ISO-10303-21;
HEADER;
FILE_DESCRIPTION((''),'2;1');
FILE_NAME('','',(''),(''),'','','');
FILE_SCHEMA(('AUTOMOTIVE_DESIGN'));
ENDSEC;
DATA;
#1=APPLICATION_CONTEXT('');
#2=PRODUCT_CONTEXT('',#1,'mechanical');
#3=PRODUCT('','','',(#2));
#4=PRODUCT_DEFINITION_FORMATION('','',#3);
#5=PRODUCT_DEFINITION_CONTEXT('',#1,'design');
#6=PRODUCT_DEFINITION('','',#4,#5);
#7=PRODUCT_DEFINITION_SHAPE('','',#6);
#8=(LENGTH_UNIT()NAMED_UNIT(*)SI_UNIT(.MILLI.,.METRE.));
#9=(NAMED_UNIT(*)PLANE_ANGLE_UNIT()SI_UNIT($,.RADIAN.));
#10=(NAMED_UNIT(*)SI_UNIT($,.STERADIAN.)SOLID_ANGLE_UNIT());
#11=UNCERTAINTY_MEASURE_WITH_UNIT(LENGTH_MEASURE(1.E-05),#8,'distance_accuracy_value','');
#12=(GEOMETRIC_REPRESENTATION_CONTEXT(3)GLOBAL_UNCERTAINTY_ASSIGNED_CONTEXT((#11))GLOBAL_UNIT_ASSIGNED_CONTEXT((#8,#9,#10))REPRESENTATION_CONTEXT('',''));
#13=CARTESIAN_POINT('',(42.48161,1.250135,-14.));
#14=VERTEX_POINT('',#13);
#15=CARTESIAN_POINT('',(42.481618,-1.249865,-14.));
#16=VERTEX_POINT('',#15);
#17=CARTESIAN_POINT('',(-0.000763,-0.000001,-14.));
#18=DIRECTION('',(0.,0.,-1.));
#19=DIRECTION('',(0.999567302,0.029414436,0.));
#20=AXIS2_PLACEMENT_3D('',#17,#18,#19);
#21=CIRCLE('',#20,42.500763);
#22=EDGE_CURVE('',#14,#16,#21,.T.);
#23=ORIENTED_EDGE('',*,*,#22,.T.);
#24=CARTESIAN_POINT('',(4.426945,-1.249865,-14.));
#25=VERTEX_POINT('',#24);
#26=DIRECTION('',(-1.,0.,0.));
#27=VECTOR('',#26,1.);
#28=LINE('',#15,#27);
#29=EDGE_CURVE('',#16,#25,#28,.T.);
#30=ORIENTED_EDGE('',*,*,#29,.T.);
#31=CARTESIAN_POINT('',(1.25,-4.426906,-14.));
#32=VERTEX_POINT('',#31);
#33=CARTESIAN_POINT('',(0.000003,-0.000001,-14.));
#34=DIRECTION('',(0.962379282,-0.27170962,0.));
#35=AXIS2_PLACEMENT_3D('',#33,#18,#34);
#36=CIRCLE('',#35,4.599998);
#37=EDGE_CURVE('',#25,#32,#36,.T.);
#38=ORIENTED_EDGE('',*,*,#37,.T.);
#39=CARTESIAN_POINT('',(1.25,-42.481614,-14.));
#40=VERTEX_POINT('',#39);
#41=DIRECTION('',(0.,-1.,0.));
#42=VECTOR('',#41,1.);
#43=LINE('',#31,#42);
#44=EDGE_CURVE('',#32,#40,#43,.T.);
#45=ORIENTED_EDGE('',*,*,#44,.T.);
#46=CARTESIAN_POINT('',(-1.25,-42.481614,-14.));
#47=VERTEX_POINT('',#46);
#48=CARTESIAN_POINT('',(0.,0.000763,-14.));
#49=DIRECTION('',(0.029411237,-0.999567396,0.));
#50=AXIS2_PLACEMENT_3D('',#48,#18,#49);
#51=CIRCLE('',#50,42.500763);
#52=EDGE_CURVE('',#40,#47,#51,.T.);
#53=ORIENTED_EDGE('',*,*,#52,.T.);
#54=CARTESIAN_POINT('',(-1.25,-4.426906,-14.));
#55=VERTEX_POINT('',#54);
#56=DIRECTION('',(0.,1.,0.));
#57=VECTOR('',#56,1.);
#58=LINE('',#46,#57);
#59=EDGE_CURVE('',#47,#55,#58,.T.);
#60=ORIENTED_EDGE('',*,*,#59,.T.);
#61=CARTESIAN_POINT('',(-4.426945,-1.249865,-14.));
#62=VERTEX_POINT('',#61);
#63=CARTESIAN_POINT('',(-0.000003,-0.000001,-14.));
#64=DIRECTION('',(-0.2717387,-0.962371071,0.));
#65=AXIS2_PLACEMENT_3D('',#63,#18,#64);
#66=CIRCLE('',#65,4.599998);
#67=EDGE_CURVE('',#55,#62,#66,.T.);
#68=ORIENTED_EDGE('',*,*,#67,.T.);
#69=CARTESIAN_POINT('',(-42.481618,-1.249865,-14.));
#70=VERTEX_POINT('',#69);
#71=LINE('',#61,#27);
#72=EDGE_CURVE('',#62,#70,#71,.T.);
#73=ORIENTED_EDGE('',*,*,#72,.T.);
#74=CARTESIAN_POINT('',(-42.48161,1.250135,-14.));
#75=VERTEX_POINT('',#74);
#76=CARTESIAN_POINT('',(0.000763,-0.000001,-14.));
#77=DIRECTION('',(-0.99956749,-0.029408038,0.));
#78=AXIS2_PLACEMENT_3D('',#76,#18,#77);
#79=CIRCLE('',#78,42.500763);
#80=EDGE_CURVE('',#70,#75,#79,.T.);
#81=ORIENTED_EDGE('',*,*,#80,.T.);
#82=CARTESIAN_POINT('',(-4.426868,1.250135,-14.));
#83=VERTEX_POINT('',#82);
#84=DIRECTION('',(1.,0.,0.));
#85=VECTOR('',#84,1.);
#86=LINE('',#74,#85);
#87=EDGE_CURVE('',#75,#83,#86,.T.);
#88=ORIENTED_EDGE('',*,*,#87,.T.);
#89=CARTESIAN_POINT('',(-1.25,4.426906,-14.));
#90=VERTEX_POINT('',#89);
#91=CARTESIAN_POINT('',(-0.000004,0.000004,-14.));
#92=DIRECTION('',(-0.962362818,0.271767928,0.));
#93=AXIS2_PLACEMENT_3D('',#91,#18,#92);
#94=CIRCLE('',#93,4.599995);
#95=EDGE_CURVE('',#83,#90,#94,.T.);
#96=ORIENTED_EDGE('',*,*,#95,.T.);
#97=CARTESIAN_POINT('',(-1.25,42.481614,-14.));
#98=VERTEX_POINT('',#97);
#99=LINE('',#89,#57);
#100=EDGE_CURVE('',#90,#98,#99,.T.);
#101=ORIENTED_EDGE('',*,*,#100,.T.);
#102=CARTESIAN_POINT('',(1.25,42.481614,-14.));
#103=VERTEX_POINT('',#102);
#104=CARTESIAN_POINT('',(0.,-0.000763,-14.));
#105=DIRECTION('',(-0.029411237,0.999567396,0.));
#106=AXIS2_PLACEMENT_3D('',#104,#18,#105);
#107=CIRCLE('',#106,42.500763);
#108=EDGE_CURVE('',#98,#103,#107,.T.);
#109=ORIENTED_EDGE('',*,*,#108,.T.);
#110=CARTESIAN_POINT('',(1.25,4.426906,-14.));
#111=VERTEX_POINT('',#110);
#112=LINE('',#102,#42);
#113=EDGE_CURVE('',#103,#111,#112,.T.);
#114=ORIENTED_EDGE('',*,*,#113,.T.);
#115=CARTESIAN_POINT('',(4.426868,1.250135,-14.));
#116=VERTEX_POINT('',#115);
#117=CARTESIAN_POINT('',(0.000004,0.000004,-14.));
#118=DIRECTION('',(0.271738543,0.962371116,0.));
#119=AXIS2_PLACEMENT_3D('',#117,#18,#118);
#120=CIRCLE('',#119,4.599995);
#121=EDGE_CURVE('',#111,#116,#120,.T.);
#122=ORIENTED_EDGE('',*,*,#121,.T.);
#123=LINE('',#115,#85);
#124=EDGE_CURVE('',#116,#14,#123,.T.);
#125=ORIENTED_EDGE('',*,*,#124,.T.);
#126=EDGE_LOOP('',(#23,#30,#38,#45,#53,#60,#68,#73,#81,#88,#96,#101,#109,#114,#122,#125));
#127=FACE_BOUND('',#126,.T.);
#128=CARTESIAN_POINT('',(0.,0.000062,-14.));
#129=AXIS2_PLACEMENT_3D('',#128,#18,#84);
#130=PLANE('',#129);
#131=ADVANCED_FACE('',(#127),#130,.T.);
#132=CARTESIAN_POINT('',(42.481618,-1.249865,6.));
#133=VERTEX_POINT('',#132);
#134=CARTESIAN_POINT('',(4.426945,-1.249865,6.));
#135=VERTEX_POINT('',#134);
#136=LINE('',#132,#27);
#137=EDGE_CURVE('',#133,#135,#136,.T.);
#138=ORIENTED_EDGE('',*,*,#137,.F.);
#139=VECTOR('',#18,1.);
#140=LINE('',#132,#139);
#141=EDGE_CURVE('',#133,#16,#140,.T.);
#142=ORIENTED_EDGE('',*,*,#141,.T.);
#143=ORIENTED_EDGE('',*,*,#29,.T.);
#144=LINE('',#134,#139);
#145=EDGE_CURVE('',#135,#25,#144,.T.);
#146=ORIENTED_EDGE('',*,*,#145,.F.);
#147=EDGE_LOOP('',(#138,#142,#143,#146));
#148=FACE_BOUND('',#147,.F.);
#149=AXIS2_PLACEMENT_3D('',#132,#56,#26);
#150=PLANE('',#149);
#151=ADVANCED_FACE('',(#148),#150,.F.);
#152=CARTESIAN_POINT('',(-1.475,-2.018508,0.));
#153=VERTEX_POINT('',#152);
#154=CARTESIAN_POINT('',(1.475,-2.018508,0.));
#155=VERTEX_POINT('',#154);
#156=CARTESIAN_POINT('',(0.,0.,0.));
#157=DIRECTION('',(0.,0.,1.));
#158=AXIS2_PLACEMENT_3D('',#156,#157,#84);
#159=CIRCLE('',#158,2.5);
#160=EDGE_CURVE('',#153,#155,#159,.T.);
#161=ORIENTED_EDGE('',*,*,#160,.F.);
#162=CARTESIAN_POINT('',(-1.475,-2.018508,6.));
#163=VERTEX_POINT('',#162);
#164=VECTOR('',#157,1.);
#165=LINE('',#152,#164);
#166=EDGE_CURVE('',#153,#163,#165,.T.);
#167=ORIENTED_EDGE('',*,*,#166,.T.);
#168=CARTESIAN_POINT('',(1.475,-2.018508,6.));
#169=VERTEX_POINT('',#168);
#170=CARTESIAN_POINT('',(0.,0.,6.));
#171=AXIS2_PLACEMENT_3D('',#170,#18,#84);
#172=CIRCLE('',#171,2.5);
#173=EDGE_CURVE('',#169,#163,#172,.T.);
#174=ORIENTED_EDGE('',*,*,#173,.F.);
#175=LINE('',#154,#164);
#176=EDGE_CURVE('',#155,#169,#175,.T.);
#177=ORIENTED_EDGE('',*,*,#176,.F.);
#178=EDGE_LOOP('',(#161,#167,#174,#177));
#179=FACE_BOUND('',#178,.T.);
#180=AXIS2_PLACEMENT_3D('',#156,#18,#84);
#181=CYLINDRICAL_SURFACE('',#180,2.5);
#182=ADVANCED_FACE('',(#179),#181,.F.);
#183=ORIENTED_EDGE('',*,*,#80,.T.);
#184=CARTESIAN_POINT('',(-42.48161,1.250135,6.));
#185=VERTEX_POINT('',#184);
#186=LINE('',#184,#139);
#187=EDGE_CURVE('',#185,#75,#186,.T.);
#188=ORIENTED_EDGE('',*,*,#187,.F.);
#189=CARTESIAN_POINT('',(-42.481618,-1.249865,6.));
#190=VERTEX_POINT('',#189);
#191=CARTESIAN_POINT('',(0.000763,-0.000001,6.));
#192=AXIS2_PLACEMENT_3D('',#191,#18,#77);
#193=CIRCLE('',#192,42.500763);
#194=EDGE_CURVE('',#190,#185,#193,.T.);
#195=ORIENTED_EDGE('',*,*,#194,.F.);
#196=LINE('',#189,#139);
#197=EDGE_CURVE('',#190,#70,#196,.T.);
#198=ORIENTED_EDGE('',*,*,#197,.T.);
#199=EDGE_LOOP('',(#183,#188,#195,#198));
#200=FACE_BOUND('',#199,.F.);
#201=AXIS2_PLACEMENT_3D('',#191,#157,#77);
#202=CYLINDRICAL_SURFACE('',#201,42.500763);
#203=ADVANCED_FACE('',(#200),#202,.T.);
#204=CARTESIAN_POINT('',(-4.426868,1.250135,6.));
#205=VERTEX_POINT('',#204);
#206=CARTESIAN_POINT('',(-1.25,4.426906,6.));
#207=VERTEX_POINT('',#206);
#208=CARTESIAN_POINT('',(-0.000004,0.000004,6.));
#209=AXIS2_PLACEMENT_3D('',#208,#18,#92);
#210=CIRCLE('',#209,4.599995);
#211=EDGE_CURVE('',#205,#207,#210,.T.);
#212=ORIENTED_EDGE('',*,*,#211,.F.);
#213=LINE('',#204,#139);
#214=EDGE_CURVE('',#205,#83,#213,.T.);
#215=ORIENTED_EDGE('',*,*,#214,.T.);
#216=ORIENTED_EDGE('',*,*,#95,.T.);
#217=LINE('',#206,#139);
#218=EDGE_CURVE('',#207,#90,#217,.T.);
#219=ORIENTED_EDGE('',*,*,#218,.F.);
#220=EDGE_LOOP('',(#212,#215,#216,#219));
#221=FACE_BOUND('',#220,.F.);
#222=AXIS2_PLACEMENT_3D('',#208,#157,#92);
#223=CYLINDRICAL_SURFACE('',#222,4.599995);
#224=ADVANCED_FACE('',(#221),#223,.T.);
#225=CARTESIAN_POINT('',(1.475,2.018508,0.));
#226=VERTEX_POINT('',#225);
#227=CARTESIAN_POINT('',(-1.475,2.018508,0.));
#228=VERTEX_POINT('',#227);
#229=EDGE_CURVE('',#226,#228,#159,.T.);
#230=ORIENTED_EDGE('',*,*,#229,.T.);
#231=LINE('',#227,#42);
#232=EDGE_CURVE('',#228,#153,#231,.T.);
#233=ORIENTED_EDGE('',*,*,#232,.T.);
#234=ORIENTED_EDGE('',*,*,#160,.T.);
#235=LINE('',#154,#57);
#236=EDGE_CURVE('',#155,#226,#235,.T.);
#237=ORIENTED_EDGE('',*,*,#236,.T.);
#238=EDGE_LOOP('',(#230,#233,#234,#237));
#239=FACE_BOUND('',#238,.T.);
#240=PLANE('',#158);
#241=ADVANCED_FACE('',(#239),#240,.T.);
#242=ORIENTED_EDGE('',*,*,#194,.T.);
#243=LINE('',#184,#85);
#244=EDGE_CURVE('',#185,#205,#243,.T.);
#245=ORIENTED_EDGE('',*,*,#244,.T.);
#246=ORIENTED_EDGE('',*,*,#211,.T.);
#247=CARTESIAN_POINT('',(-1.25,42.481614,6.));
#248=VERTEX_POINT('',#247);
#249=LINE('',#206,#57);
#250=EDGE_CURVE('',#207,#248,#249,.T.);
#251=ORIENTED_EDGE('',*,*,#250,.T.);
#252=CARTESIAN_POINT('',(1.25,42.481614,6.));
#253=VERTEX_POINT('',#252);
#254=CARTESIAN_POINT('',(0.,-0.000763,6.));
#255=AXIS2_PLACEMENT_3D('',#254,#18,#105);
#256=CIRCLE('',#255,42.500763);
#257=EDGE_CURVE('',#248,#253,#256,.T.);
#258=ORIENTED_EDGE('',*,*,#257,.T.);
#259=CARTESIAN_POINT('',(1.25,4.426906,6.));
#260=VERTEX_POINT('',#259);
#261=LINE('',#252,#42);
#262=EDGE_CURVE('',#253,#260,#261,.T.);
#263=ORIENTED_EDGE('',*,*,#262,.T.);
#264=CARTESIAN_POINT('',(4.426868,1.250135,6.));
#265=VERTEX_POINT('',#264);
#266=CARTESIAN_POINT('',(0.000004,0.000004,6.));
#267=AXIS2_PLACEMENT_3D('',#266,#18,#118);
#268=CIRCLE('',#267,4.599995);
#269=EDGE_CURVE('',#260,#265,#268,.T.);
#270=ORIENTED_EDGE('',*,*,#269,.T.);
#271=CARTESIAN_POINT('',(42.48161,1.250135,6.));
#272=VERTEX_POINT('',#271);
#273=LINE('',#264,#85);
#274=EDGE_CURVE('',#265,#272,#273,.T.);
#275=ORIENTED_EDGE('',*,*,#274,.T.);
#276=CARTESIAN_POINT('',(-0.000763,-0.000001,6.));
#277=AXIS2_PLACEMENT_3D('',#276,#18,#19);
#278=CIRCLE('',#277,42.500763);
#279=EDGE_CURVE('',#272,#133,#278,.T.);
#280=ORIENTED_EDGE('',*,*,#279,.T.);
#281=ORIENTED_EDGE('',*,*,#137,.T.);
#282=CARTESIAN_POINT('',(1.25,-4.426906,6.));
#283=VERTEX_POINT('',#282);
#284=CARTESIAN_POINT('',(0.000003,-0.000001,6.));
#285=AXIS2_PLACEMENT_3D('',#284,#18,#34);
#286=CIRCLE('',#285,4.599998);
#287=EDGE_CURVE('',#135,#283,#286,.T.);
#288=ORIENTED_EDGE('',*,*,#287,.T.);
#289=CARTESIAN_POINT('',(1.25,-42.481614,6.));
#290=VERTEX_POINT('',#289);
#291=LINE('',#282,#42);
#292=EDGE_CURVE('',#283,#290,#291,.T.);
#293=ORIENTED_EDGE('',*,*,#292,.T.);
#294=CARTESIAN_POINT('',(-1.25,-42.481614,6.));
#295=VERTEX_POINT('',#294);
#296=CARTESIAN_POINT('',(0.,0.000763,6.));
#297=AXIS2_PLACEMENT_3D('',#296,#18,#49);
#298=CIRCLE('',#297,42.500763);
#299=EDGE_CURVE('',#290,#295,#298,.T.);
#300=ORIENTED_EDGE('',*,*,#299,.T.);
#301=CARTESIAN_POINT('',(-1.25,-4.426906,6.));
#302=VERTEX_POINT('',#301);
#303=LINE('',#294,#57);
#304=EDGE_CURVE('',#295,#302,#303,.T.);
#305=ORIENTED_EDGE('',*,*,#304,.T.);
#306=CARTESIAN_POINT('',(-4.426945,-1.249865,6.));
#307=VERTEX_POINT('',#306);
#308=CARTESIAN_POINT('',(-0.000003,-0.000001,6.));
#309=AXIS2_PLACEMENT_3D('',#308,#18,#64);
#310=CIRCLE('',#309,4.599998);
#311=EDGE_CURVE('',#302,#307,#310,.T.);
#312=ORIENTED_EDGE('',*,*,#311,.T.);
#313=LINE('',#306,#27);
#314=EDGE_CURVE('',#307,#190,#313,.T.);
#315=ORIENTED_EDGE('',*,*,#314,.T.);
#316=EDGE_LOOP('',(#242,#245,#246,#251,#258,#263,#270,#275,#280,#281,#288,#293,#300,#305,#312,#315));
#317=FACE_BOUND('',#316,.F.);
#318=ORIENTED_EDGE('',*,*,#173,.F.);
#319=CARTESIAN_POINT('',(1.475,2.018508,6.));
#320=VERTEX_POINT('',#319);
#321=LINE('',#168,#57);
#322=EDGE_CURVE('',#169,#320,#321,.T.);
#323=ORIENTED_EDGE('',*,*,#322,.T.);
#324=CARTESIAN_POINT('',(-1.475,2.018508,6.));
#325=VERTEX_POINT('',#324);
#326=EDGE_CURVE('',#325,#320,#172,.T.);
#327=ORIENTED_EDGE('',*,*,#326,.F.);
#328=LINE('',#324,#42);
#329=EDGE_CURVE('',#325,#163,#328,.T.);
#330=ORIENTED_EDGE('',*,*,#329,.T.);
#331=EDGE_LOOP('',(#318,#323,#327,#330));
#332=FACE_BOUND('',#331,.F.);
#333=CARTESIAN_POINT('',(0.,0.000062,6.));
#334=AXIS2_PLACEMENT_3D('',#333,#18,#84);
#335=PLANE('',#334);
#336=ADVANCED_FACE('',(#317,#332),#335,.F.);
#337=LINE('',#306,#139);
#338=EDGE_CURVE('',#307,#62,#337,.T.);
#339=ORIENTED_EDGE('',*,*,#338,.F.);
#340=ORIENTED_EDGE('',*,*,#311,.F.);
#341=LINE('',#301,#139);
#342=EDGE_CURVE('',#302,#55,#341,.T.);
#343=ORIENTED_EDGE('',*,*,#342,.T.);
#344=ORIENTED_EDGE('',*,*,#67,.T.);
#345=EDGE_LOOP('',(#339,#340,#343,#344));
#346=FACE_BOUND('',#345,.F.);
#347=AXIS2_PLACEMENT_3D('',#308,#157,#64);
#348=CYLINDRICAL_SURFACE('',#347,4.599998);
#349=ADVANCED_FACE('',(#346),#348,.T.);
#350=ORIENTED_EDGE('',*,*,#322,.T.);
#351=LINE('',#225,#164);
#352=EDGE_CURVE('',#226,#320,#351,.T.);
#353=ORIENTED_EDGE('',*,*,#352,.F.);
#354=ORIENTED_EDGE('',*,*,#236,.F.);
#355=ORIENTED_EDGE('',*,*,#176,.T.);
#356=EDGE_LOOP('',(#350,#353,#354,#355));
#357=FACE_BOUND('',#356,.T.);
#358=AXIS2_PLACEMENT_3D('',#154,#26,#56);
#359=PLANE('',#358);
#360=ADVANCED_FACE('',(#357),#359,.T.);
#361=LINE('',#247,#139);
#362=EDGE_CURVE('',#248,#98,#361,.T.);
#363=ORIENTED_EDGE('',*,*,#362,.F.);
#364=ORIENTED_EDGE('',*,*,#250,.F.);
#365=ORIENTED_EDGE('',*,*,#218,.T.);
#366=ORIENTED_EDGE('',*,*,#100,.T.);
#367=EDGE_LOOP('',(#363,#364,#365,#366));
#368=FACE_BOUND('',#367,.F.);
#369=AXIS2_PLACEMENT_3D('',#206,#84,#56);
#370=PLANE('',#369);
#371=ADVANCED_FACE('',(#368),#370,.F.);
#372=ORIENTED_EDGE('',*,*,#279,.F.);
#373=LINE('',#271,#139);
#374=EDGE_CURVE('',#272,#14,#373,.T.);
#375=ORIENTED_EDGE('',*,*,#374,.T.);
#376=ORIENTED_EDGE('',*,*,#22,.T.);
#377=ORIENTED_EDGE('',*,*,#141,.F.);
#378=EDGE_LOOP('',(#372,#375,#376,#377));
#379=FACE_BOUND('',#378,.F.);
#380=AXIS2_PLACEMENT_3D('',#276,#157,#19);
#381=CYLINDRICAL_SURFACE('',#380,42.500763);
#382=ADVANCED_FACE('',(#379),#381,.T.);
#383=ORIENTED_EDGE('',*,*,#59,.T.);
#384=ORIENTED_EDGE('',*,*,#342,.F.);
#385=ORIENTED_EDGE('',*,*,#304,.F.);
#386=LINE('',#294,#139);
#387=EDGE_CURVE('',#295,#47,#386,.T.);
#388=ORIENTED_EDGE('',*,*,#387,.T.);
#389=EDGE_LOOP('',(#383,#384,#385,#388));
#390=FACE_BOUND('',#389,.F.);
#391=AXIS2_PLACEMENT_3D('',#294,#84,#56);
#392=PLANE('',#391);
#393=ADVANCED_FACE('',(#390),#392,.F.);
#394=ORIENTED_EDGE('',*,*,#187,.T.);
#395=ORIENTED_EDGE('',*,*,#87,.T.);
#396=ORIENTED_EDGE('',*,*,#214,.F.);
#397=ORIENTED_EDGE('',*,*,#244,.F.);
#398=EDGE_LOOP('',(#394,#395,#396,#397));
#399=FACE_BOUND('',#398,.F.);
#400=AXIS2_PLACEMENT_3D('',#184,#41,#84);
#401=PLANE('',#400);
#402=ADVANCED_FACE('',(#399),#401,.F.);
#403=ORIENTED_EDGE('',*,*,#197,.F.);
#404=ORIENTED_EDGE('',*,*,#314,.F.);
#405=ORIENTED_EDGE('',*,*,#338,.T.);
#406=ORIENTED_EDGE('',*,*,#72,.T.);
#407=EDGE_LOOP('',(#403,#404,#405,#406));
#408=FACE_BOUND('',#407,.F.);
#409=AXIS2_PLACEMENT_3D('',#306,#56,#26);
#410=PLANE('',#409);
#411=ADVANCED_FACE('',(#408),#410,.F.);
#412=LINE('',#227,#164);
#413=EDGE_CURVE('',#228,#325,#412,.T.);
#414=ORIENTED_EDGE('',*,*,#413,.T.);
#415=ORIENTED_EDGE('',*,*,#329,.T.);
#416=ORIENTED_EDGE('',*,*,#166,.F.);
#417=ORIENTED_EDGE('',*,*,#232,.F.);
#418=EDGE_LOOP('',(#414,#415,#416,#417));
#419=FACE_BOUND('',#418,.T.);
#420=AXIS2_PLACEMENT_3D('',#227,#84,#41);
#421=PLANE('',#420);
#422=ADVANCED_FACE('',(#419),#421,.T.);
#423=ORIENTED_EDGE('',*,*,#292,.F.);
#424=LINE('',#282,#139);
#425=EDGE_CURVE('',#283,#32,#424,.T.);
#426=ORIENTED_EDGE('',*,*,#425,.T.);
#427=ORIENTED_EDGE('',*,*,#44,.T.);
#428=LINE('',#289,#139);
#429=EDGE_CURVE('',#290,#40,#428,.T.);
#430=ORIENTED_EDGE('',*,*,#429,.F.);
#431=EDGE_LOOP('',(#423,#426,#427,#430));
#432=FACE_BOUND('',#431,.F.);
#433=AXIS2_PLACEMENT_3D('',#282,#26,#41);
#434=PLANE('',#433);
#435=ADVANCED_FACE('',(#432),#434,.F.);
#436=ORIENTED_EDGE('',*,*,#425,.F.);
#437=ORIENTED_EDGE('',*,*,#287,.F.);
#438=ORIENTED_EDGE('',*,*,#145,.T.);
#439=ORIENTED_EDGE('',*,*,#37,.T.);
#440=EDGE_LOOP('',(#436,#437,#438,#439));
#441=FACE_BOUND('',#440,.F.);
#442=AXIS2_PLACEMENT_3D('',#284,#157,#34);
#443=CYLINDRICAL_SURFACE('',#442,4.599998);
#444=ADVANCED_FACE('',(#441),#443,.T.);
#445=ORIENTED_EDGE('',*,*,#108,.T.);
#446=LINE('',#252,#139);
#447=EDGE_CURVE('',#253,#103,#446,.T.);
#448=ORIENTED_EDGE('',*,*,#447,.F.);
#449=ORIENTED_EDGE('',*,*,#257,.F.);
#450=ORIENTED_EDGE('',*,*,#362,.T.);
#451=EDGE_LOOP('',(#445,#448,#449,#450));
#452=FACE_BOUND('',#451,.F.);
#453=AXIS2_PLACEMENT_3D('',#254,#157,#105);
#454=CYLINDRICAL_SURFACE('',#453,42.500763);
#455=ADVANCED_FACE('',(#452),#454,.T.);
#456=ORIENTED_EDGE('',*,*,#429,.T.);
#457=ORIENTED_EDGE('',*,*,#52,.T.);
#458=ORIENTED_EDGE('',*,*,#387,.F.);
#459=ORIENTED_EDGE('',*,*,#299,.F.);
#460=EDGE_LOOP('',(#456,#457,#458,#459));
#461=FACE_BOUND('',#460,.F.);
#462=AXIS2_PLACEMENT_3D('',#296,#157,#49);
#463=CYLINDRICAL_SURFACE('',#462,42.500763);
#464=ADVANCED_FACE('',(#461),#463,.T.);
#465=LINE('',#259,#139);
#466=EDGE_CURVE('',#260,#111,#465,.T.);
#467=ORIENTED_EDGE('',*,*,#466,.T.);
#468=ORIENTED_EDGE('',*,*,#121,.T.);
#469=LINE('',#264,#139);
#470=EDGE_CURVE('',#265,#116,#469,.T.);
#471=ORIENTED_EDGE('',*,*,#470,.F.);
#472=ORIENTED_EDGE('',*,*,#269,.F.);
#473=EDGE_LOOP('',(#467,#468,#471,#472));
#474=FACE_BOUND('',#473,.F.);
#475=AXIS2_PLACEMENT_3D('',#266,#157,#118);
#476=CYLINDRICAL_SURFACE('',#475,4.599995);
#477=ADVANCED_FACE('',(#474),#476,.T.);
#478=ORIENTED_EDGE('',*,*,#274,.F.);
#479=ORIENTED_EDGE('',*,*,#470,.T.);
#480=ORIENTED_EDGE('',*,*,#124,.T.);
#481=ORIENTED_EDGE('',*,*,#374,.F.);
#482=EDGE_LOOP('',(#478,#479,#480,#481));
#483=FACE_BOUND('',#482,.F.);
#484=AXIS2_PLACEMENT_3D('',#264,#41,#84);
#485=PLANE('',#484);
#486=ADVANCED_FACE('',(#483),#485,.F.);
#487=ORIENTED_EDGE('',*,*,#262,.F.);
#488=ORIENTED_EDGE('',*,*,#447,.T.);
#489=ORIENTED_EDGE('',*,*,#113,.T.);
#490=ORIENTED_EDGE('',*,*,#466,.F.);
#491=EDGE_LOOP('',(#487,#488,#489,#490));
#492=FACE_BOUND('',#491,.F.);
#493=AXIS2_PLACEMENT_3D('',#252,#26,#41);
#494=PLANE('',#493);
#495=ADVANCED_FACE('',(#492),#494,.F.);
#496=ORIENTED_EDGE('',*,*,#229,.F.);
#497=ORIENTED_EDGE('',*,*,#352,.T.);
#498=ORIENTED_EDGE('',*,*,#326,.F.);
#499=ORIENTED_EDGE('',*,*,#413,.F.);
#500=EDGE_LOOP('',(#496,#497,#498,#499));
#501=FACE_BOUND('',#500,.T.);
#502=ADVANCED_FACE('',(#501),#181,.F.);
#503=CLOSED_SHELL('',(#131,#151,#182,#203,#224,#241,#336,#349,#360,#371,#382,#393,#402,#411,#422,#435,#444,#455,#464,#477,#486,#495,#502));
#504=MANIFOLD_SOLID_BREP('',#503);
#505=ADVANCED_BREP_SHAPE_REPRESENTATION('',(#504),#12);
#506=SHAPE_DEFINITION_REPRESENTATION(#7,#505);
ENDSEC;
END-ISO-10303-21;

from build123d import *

# Parameters (mm, degrees)
F0_R      = 2.5
F1_DEPTH  = 8
F3_DEPTH  = 6
F4_R      = 4.6
F4_R_2    = 2.5
F5_DEPTH  = 1.5
F6_R      = 14
F7_DEPTH  = 19.2
F9_DEPTH  = 16.5
F11_DEPTH = 20


with BuildPart() as f1:
    # F0 (on Top) → F1 (new body)
    with BuildSketch(Plane.XY):
        Circle(F0_R)
    extrude(amount=F1_DEPTH)

    # F2 (on face) → F3 (cut)
    with BuildSketch(Plane(origin=(0, 0, 0), x_dir=(1, 0, 0), z_dir=(0, 0, -1))):
        with BuildLine():
            Line((-1.475, -2.018508), (-1.475, 2.018508))
            ThreePointArc((-1.475, 2.018508), (-2.5, 0), (-1.475, -2.018508))
        make_face()
        with BuildLine():
            ThreePointArc((1.475, -2.018508), (2.5, 0), (1.475, 2.018508))
            Line((1.475, 2.018508), (1.475, -2.018508))
        make_face()
    extrude(amount=-F3_DEPTH, mode=Mode.SUBTRACT)

    # F4 (on face) → F5 (join)
    with BuildSketch(Plane.XY.offset(8)):
        Circle(F4_R)
        Circle(F4_R_2, mode=Mode.SUBTRACT)
        Circle(F4_R_2)
    extrude(amount=F5_DEPTH)

    # F6 (on face) → F7 (join)
    with BuildSketch(Plane.XY.offset(9.5)):
        with Locations((0, 7.6)):
            Circle(F6_R)
    extrude(amount=F7_DEPTH)

    # F8 (on face) → F9 (join)
    with BuildSketch(Plane(origin=(0, 0, 9.5), x_dir=(1, 0, 0), z_dir=(0, 0, -1))):
        with BuildLine():
            ThreePointArc((7.25, -19.57654), (0, -21.6), (-7.25, -19.57654))
            Line((-7.25, -19.57654), (-7.25, -24.07654))
            Line((-7.25, -24.07654), (7.25, -24.07654))
            Line((7.25, -24.07654), (7.25, -19.57654))
        make_face()
    extrude(amount=-F9_DEPTH)


with BuildPart() as f11:
    # F10 (on face) → F11 (new body)
    with BuildSketch(Plane(origin=(0, 0, 6), x_dir=(1, 0, 0), z_dir=(0, 0, -1))):
        with BuildLine():
            Line((-1.25, -4.426906), (-1.25, -42.481614))
            ThreePointArc((-1.25, -42.481614), (0, -42.5), (1.25, -42.481614))
            Line((1.25, -42.481614), (1.25, -4.426906))
            ThreePointArc((1.25, -4.426906), (3.252642, -3.252741), (4.426868, -1.250135))
            Line((4.426868, -1.250135), (42.48161, -1.250135))
            ThreePointArc((42.48161, -1.250135), (42.5, -0.000135), (42.481618, 1.249865))
            Line((42.481618, 1.249865), (4.426945, 1.249865))
            ThreePointArc((4.426945, 1.249865), (3.252741, 3.252642), (1.25, 4.426906))
            Line((1.25, 4.426906), (1.25, 42.481614))
            ThreePointArc((1.25, 42.481614), (0, 42.5), (-1.25, 42.481614))
            Line((-1.25, 42.481614), (-1.25, 4.426906))
            ThreePointArc((-1.25, 4.426906), (-3.252741, 3.252642), (-4.426945, 1.249865))
            Line((-4.426945, 1.249865), (-42.481618, 1.249865))
            ThreePointArc((-42.481618, 1.249865), (-42.5, -0.000135), (-42.48161, -1.250135))
            Line((-42.48161, -1.250135), (-4.426868, -1.250135))
            ThreePointArc((-4.426868, -1.250135), (-3.252642, -3.252741), (-1.25, -4.426906))
        make_face()
    extrude(amount=F11_DEPTH)

    # F12: cut F1
    add(f1.part, mode=Mode.SUBTRACT)


solid = f11.part
